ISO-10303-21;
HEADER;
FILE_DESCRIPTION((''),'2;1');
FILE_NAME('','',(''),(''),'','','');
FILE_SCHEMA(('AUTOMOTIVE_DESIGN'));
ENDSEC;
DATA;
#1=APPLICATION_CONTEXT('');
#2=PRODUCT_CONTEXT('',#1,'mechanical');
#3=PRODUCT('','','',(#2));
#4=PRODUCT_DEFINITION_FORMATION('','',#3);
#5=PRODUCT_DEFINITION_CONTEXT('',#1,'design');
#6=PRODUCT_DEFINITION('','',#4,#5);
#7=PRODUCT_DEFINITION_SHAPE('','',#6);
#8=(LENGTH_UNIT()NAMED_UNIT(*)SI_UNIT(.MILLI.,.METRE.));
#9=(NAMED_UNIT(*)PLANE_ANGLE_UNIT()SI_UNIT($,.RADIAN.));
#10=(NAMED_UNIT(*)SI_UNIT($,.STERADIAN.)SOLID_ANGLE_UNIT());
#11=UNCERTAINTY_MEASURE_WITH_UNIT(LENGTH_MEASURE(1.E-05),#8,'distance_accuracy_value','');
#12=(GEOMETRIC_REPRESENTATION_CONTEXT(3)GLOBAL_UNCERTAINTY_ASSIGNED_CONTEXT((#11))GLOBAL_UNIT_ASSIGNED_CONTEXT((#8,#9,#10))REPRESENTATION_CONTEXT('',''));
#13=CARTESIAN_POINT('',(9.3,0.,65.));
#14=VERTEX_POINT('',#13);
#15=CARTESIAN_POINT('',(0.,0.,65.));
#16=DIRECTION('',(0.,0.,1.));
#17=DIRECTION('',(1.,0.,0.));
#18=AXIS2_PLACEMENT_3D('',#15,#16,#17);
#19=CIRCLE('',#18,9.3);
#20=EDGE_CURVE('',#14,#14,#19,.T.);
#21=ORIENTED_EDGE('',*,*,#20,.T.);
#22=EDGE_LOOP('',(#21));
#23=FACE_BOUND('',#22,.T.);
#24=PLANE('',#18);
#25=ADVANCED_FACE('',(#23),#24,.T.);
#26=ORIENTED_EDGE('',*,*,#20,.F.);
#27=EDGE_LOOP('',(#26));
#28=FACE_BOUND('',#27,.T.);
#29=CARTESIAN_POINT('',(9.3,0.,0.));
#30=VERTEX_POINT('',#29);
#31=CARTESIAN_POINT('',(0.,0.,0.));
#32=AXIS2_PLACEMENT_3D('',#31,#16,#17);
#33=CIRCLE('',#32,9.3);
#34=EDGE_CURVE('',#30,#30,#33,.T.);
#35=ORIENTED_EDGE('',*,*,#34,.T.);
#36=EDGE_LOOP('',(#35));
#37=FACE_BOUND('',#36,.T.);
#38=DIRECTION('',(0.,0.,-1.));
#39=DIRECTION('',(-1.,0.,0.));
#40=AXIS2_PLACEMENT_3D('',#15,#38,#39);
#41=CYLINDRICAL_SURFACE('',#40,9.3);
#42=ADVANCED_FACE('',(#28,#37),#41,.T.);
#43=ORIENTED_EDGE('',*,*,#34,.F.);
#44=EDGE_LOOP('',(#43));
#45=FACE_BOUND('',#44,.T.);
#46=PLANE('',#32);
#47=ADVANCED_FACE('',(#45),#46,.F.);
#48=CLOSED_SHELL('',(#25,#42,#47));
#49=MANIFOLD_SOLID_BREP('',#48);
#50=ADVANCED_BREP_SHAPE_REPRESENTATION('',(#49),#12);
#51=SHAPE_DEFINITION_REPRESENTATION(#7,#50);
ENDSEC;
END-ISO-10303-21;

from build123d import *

# Parameters (mm, degrees)
SKETCH1_R           = 9.3
BOSS_EXTRUDE1_DEPTH = 65


with BuildPart() as part:
    # Sketch1 → Boss-Extrude1 (new body)
    with BuildSketch(Plane.XY):
        Circle(SKETCH1_R)
    extrude(amount=BOSS_EXTRUDE1_DEPTH)


solid = part.part
